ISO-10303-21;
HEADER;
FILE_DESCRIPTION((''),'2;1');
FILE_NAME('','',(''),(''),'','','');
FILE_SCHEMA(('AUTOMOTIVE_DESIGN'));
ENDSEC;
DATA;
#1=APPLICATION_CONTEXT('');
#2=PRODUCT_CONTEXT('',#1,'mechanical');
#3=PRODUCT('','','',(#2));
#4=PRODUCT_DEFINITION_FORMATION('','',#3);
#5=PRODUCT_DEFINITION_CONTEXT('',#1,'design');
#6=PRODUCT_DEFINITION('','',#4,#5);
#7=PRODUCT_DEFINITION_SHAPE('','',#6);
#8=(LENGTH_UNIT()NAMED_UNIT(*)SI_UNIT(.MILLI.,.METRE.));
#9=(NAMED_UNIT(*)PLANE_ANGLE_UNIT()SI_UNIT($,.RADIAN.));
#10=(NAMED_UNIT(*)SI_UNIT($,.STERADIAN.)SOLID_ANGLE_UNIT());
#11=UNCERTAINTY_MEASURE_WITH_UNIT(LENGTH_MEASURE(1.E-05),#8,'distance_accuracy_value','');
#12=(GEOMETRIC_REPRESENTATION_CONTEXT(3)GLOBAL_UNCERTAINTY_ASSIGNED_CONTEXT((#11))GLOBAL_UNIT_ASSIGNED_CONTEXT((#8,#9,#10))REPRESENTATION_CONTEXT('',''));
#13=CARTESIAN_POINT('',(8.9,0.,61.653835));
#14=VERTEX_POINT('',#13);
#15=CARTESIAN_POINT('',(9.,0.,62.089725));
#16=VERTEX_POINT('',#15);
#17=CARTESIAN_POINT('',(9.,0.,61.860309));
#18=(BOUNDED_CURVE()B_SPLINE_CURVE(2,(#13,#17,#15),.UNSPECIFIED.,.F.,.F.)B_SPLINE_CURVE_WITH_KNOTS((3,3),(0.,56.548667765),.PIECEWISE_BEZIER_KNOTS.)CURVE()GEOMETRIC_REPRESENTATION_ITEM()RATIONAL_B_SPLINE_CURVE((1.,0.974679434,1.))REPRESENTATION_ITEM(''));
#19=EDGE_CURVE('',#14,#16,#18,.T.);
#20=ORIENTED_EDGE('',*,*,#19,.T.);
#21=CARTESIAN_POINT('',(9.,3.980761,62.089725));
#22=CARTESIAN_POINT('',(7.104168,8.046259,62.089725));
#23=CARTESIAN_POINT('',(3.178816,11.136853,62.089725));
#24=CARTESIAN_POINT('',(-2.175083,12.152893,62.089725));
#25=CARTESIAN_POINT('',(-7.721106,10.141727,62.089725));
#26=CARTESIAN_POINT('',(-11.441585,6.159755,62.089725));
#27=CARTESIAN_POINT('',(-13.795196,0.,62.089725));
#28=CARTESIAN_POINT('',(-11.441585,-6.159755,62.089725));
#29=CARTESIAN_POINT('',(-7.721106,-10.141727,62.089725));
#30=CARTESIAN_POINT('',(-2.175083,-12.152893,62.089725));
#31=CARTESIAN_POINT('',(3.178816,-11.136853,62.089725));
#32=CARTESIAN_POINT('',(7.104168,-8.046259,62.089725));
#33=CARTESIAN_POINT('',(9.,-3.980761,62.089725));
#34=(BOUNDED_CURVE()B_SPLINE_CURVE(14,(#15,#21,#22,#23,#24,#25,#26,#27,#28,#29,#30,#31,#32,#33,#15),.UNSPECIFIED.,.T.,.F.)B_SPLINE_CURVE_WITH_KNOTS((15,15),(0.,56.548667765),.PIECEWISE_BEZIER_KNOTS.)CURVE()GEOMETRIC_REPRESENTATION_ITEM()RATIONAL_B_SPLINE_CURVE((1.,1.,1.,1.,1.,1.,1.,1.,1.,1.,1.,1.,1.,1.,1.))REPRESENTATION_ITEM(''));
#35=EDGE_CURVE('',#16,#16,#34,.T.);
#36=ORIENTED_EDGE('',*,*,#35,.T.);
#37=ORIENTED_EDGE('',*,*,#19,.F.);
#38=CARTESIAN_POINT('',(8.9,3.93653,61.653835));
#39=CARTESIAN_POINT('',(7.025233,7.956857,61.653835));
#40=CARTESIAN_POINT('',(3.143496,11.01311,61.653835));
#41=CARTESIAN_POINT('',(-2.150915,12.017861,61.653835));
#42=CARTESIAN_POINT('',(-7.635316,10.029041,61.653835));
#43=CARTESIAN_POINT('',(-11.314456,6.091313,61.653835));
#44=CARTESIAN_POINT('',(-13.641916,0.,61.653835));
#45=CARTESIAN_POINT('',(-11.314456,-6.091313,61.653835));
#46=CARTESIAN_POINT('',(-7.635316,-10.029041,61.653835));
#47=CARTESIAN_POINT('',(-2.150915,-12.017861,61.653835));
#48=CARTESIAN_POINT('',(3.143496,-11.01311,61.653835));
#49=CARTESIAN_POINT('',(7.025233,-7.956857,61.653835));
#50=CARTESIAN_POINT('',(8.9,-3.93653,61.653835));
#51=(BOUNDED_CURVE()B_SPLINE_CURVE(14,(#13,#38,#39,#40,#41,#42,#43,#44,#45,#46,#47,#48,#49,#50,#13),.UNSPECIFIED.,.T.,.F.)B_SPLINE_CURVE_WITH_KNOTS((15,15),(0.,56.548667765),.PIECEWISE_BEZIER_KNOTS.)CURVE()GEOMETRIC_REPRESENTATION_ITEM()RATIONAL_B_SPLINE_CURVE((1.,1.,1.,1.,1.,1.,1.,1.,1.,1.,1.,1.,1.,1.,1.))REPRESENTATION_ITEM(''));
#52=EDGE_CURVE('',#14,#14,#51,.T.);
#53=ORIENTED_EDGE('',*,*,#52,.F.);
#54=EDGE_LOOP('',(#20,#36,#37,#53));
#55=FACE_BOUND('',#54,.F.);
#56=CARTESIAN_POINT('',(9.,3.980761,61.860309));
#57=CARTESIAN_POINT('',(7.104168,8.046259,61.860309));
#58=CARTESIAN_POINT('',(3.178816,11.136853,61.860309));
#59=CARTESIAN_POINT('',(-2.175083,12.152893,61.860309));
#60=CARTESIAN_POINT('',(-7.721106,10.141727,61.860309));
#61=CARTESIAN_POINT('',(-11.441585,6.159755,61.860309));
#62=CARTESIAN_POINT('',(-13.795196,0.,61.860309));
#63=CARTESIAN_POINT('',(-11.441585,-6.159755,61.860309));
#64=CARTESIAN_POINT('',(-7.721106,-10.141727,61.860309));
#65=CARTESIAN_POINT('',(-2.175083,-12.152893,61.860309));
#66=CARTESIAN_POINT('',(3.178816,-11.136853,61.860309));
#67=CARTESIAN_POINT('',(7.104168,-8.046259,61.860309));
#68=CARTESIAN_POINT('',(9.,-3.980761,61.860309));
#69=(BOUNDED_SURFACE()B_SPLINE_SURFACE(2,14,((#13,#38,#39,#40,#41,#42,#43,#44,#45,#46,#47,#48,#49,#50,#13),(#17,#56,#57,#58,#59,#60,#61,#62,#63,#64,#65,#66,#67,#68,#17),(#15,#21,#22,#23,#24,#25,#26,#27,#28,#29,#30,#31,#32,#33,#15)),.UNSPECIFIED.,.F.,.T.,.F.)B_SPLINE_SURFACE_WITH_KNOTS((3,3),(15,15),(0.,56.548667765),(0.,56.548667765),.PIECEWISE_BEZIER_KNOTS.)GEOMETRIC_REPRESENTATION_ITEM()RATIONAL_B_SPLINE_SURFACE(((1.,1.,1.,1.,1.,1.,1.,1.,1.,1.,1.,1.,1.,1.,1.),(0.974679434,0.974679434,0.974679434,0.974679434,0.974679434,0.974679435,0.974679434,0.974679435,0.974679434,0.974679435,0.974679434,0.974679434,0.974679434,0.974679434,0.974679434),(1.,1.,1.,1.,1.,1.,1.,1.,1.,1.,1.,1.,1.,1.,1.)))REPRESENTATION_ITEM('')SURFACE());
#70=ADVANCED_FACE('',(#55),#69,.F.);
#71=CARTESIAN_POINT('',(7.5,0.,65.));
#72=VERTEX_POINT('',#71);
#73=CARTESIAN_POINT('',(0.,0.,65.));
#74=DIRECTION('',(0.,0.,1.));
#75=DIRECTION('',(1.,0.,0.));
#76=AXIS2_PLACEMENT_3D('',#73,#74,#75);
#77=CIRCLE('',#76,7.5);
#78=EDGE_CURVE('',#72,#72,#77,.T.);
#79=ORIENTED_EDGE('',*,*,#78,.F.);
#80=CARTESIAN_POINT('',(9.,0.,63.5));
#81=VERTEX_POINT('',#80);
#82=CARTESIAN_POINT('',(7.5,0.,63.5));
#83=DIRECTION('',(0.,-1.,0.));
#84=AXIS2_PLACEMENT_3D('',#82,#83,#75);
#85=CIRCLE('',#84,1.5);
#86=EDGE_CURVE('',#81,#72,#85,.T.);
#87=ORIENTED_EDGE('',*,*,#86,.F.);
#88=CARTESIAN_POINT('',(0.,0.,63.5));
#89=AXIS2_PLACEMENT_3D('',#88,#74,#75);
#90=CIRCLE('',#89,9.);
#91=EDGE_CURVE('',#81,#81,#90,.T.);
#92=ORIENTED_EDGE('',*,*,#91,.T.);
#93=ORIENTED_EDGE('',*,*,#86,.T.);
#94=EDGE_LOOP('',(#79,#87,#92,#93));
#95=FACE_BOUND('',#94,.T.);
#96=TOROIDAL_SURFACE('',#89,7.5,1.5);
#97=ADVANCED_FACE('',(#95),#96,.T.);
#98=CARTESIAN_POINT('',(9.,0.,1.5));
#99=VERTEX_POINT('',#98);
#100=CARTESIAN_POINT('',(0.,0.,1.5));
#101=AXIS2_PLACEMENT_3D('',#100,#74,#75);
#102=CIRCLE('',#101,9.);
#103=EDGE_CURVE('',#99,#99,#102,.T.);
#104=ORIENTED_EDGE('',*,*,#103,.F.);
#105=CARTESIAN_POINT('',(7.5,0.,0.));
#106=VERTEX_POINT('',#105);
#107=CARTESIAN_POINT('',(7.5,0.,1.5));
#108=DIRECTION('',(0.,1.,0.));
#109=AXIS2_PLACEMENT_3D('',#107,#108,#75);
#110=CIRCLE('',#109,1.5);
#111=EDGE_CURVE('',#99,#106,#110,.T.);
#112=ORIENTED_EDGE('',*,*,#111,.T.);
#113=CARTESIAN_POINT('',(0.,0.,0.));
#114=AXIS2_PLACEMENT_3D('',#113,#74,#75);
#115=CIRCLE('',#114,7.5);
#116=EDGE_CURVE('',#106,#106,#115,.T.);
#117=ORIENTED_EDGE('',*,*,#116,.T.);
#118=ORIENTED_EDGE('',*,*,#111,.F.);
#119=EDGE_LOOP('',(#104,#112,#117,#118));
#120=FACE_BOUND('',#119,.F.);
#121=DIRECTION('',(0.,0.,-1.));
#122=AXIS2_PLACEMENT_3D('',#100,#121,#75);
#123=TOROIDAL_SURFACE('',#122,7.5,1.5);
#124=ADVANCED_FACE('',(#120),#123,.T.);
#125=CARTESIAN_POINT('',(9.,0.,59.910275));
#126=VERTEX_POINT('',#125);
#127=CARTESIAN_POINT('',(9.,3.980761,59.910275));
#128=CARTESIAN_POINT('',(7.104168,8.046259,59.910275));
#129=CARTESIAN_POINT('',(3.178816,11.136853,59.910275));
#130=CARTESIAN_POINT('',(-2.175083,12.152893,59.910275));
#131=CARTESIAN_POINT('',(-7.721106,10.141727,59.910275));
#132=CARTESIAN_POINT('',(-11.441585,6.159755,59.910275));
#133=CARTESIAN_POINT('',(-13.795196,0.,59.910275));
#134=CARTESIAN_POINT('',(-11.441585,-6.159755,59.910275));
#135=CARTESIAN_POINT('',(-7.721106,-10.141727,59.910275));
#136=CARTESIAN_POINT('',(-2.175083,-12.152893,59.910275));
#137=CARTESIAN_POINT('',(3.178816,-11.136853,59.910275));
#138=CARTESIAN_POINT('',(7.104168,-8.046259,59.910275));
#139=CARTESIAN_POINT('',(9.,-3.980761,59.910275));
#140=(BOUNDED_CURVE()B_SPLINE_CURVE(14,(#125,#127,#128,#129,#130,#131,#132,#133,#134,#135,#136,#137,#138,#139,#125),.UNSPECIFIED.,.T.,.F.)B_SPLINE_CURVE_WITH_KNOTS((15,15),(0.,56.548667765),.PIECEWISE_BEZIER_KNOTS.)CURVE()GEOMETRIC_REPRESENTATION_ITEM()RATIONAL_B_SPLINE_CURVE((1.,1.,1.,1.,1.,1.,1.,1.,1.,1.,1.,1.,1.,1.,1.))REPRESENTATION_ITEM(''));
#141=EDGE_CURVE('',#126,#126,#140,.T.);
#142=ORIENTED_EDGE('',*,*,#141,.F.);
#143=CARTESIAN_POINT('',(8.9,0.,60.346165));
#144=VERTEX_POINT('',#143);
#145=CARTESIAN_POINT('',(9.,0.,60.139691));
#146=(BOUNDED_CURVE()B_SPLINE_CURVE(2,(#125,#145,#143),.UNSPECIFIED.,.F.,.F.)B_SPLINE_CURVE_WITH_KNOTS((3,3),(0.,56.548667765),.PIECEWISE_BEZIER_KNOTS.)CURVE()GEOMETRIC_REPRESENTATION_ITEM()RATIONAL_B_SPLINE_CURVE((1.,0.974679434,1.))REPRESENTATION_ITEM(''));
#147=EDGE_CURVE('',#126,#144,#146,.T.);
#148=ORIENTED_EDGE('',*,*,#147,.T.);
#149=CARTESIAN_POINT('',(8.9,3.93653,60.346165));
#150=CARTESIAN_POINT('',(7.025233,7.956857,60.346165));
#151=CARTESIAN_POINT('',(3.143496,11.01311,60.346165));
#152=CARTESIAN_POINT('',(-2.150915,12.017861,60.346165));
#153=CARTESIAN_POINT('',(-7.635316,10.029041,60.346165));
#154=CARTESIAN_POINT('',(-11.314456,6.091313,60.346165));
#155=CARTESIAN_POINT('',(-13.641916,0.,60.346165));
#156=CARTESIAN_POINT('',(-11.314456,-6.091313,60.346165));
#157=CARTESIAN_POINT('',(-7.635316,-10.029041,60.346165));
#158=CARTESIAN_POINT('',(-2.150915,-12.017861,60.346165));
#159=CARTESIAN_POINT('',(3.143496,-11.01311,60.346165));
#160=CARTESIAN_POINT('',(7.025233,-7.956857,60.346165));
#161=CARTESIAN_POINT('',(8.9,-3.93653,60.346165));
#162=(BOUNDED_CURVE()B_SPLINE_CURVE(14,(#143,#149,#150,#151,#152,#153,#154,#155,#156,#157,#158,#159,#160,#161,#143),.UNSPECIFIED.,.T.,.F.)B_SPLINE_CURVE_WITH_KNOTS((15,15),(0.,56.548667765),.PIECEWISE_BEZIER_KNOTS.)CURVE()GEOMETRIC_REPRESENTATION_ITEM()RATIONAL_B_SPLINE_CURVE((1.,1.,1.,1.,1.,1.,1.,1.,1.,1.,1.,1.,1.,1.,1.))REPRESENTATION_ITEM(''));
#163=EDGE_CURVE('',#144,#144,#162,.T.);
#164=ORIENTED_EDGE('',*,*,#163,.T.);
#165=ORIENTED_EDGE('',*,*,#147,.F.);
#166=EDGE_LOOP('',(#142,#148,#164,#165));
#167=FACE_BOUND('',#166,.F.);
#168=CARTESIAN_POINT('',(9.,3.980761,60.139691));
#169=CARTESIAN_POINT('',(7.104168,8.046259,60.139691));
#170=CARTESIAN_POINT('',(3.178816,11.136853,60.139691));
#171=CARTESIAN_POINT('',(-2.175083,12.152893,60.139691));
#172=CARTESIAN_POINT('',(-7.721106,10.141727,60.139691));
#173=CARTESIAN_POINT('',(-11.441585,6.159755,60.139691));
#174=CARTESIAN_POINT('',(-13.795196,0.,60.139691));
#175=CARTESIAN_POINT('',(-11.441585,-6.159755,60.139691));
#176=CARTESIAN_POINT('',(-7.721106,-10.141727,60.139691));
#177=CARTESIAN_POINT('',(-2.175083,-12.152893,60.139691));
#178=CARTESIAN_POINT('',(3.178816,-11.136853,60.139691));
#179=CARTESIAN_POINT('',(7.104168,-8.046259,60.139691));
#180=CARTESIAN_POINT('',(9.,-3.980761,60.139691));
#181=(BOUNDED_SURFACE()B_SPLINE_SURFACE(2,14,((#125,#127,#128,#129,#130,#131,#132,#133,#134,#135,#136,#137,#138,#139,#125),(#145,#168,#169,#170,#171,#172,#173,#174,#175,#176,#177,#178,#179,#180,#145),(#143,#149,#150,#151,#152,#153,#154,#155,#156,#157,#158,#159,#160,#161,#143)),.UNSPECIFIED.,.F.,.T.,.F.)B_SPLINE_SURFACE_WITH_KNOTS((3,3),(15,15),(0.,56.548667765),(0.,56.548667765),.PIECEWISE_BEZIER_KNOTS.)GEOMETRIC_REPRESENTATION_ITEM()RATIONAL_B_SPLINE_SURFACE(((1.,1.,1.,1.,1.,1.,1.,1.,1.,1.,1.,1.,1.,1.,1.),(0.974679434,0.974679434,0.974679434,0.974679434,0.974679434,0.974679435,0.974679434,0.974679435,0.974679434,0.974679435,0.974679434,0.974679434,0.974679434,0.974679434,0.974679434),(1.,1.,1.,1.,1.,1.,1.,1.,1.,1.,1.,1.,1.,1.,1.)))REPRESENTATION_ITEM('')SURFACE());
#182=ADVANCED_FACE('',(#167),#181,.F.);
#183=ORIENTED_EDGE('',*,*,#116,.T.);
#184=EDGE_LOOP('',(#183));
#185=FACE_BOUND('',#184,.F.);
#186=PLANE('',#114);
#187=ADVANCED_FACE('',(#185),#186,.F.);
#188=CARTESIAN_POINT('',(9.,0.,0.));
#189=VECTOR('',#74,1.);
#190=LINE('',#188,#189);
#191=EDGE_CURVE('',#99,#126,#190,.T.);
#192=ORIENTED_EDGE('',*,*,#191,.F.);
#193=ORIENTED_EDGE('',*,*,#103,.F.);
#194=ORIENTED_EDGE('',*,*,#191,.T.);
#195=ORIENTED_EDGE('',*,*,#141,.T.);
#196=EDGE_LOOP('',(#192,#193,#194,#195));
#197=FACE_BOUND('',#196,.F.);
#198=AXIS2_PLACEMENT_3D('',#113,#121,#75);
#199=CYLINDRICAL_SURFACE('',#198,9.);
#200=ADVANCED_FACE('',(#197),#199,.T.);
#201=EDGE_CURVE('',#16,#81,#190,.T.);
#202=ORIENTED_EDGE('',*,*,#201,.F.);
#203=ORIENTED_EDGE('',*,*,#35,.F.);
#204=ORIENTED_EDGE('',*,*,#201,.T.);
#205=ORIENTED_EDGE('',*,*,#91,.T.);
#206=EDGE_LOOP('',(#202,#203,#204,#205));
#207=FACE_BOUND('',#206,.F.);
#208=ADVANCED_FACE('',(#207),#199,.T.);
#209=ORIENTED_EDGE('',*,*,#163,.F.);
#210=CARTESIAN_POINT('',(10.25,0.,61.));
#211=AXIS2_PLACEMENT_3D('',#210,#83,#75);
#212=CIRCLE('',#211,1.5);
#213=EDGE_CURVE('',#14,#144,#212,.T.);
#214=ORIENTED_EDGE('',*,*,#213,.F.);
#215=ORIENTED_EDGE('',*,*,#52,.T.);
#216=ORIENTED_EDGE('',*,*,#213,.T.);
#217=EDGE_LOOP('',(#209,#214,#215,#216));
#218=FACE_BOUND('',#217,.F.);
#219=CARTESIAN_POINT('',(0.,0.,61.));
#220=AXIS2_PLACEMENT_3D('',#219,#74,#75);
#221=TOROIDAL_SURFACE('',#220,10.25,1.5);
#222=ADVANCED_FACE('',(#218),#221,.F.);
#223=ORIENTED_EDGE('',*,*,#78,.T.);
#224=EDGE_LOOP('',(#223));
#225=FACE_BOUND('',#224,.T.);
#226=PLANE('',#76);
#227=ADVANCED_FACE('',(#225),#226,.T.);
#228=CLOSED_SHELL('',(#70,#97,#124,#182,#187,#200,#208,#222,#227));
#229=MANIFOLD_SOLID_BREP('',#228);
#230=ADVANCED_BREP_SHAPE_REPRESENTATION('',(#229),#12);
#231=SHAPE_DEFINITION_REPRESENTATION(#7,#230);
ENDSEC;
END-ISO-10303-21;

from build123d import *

# Parameters (mm, degrees)
F0_R     = 9
F1_DEPTH = 65
F2_R     = 1.5
F3_R     = 1.5
F5_R     = 1


with BuildPart() as f1:
    # F0 (on Top) → F1 (new body)
    with BuildSketch(Plane.XY):
        Circle(F0_R)
    extrude(amount=F1_DEPTH)

    # F2
    f2_edges = [f1.edges().sort_by_distance(p)[0] for p in [
        (-9, 0, 65),
        (-9, 0, 0),
    ]]
    fillet(f2_edges, radius=F2_R)

    # F3 (on Front) → F4 (revolve, cut)
    with BuildSketch(Plane.XZ):
        with Locations((10.25, 61)):
            Circle(F3_R)
    revolve(axis=Axis((0, 0, 65), (0, 0, 1)), mode=Mode.SUBTRACT)

    # F5
    f5_edges = [f1.edges().sort_by_distance(p)[0] for p in [
        (-9, 0, 60.170844),
        (-9, 0, 61.829156),
    ]]
    fillet(f5_edges, radius=F5_R)


solid = f1.part
